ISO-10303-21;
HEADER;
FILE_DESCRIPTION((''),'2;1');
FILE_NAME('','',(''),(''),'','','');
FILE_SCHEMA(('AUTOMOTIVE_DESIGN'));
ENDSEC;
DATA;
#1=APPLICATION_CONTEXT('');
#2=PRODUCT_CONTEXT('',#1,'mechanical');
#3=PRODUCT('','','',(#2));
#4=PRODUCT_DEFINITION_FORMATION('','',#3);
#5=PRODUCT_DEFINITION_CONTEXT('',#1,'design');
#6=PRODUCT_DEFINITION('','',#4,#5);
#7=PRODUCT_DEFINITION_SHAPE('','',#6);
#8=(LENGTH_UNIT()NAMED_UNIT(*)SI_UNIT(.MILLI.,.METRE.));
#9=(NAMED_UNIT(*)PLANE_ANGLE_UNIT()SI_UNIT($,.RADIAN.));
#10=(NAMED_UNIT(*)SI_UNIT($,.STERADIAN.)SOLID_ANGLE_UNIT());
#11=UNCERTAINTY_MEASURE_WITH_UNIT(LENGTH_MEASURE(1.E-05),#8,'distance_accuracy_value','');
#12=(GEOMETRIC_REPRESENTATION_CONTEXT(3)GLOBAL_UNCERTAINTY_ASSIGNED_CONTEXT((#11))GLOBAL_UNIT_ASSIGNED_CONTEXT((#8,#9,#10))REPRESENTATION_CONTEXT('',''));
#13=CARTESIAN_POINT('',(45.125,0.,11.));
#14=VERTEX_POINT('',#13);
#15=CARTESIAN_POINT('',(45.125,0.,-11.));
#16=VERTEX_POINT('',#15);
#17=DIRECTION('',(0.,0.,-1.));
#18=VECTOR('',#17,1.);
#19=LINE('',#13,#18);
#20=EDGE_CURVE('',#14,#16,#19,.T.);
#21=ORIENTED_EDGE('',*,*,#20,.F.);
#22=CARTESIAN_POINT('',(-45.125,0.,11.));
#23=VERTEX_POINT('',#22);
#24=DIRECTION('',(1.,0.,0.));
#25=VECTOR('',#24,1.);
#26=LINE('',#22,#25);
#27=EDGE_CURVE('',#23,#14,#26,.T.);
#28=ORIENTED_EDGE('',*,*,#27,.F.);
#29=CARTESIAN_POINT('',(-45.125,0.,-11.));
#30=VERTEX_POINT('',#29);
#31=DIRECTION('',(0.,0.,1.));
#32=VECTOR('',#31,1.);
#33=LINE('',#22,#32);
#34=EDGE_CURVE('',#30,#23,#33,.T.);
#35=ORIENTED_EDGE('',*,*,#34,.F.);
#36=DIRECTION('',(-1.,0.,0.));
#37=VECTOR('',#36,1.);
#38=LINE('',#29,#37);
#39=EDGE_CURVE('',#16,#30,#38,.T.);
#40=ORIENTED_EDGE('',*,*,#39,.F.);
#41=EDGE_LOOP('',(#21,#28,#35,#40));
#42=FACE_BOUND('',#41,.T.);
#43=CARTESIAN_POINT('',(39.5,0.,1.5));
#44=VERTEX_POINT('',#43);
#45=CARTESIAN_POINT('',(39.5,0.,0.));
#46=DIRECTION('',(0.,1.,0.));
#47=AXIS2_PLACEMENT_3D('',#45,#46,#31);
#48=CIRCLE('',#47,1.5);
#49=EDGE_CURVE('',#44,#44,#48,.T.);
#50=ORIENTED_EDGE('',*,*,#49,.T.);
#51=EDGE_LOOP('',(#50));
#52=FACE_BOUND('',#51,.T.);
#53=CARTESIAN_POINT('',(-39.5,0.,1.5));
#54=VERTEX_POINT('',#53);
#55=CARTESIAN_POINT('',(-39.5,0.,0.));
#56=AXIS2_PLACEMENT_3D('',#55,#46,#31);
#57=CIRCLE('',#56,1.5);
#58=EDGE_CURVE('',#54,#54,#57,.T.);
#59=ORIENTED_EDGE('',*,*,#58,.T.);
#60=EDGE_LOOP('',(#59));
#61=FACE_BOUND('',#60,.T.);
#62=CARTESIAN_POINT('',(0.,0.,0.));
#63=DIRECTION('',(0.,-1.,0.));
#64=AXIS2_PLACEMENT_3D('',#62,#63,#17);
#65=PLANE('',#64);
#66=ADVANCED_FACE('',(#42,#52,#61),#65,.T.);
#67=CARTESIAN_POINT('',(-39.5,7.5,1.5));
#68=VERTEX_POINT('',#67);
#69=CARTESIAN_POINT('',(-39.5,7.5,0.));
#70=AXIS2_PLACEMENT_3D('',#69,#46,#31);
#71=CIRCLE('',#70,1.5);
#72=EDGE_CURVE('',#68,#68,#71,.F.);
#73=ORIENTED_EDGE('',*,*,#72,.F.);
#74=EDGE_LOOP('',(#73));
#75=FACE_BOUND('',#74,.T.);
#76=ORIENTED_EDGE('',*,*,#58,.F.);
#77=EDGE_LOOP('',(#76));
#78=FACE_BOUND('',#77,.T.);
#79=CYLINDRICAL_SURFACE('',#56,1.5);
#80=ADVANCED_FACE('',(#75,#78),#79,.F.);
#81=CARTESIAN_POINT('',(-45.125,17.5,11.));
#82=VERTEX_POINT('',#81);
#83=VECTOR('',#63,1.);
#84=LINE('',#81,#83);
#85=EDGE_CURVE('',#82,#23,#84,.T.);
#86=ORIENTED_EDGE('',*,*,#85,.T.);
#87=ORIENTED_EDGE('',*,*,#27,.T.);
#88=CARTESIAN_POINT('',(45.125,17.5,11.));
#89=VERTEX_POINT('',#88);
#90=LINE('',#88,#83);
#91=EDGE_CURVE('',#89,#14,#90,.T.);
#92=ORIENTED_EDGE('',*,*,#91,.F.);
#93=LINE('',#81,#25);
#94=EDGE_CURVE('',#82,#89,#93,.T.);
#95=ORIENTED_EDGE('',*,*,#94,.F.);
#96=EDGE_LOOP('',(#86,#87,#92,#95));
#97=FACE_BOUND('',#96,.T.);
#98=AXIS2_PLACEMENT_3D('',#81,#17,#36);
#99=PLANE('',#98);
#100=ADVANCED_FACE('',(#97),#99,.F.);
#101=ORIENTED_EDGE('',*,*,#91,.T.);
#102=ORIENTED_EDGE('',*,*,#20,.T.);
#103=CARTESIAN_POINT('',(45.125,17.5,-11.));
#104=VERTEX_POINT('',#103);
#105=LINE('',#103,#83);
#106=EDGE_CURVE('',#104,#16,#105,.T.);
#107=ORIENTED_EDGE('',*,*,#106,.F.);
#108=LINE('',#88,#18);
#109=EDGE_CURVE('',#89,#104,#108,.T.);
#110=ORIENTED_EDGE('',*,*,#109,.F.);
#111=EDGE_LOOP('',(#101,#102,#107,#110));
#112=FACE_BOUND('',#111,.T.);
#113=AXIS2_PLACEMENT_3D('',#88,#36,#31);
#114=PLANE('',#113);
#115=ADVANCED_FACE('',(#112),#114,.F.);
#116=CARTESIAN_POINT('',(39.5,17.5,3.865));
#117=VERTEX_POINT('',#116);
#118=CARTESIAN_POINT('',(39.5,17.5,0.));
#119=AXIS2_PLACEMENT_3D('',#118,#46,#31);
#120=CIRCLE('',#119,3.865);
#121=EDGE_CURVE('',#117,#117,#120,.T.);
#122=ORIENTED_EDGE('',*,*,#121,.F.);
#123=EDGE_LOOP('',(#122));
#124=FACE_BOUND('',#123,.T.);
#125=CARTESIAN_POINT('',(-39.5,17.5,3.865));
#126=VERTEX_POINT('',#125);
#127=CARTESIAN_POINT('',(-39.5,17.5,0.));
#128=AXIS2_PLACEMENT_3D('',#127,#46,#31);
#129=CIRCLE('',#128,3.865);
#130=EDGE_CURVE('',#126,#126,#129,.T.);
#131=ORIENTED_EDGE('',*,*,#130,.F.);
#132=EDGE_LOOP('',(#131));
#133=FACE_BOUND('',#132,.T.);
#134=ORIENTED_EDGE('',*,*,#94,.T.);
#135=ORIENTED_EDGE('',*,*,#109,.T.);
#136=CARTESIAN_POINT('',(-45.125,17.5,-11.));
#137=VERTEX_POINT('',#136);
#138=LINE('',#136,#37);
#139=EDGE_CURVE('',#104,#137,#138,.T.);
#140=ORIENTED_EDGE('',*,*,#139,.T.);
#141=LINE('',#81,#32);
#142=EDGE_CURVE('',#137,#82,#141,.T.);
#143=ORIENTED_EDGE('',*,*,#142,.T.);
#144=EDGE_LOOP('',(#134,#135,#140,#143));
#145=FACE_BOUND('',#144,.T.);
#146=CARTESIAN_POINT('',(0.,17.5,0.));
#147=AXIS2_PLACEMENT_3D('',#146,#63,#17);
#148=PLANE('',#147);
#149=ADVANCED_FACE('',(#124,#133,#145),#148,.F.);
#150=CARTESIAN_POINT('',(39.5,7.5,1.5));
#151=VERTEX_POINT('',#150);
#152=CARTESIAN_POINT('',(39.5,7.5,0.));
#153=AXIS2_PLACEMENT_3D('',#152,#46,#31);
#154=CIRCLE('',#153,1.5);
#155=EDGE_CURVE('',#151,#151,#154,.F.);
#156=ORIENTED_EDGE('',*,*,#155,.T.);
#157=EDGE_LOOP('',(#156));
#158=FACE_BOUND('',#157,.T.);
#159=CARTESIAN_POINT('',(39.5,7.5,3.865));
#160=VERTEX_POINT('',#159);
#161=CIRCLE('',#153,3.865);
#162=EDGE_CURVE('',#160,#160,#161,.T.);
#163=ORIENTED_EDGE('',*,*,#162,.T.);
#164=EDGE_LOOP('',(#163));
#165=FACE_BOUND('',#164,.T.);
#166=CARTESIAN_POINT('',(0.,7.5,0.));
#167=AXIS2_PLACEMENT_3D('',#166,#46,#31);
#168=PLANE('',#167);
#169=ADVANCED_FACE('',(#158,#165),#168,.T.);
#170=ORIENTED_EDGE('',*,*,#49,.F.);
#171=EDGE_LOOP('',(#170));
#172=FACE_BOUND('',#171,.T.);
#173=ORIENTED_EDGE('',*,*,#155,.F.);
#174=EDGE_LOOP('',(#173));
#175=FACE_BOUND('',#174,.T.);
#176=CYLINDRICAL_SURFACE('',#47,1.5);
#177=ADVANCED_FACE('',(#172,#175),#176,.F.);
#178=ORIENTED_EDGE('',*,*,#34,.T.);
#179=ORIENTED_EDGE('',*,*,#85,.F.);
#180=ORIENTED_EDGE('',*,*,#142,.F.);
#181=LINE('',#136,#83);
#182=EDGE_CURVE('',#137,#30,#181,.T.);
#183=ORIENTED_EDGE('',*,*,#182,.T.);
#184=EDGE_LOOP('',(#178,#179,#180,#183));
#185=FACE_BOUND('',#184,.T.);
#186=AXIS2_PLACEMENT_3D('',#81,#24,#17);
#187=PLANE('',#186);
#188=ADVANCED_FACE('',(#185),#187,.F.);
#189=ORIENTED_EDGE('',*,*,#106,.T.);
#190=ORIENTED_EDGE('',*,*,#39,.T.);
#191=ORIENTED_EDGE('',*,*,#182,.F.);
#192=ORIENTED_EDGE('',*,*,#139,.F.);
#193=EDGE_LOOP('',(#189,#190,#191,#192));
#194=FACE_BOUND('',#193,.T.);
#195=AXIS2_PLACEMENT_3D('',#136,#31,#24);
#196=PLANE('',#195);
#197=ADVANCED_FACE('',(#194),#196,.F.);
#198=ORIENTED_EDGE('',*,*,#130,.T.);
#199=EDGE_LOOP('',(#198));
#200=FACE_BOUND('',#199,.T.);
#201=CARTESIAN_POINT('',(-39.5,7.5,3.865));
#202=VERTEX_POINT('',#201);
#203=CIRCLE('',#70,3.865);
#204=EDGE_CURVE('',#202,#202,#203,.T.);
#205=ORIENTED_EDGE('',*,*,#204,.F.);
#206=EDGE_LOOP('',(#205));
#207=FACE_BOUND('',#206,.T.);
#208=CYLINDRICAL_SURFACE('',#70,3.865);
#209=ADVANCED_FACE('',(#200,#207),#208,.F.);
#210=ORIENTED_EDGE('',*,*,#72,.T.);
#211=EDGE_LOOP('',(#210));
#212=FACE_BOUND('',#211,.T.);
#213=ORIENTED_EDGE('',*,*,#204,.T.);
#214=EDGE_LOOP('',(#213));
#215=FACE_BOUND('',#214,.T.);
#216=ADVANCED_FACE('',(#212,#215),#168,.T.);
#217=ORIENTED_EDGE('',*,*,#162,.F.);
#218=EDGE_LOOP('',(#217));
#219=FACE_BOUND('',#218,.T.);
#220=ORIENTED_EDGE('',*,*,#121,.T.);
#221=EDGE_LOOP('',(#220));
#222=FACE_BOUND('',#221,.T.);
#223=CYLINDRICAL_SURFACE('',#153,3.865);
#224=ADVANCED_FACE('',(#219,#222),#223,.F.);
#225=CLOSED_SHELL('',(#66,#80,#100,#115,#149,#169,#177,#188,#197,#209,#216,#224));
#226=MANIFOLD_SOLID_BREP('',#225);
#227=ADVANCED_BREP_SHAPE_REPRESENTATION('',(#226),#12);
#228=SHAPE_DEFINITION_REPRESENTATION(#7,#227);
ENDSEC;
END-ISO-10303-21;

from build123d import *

# Parameters (mm, degrees)
SKETCH1_W               = 90.25
SKETCH1_H               = 22
BOSS_EXTRUDE1_DEPTH     = 17.5
SKETCH2_R               = 1.5
CUT_EXTRUDE1_DEPTH      = 1
CUT_EXTRUDE1_DEPTH_BACK = 18.5
SKETCH3_R               = 3.865
SKETCH3_R_2             = 1.5
CUT_EXTRUDE2_DEPTH      = 10


with BuildPart() as part:
    # Sketch1 → Boss-Extrude1 (new body)
    with BuildSketch(Plane(origin=(0, 0, 0), x_dir=(1, 0, 0), z_dir=(0, 1, 0))):
        Rectangle(SKETCH1_W, SKETCH1_H)
    extrude(amount=BOSS_EXTRUDE1_DEPTH)

    # Sketch2 → Cut-Extrude1 (cut, two sides)
    with BuildSketch(Plane(origin=(0, 17.5, 0), x_dir=(1, 0, 0), z_dir=(0, 1, 0))) as cut_extrude1_sk:
        with Locations((-39.5, 0)):
            Circle(SKETCH2_R)
        with Locations((39.5, 0)):
            Circle(SKETCH2_R)
    extrude(amount=CUT_EXTRUDE1_DEPTH, mode=Mode.SUBTRACT)
    extrude(cut_extrude1_sk.sketch, amount=-CUT_EXTRUDE1_DEPTH_BACK, mode=Mode.SUBTRACT)

    # Sketch3 → Cut-Extrude2 (cut)
    with BuildSketch(Plane(origin=(0, 17.5, 0), x_dir=(1, 0, 0), z_dir=(0, 1, 0))):
        with Locations((-39.5, 0)):
            Circle(SKETCH3_R)
        with Locations((-39.5, 0)):
            Circle(SKETCH3_R_2, mode=Mode.SUBTRACT)
        with Locations((39.5, 0)):
            Circle(SKETCH3_R)
        with Locations((39.5, 0)):
            Circle(SKETCH3_R_2, mode=Mode.SUBTRACT)
    extrude(amount=-CUT_EXTRUDE2_DEPTH, mode=Mode.SUBTRACT)


solid = part.part
